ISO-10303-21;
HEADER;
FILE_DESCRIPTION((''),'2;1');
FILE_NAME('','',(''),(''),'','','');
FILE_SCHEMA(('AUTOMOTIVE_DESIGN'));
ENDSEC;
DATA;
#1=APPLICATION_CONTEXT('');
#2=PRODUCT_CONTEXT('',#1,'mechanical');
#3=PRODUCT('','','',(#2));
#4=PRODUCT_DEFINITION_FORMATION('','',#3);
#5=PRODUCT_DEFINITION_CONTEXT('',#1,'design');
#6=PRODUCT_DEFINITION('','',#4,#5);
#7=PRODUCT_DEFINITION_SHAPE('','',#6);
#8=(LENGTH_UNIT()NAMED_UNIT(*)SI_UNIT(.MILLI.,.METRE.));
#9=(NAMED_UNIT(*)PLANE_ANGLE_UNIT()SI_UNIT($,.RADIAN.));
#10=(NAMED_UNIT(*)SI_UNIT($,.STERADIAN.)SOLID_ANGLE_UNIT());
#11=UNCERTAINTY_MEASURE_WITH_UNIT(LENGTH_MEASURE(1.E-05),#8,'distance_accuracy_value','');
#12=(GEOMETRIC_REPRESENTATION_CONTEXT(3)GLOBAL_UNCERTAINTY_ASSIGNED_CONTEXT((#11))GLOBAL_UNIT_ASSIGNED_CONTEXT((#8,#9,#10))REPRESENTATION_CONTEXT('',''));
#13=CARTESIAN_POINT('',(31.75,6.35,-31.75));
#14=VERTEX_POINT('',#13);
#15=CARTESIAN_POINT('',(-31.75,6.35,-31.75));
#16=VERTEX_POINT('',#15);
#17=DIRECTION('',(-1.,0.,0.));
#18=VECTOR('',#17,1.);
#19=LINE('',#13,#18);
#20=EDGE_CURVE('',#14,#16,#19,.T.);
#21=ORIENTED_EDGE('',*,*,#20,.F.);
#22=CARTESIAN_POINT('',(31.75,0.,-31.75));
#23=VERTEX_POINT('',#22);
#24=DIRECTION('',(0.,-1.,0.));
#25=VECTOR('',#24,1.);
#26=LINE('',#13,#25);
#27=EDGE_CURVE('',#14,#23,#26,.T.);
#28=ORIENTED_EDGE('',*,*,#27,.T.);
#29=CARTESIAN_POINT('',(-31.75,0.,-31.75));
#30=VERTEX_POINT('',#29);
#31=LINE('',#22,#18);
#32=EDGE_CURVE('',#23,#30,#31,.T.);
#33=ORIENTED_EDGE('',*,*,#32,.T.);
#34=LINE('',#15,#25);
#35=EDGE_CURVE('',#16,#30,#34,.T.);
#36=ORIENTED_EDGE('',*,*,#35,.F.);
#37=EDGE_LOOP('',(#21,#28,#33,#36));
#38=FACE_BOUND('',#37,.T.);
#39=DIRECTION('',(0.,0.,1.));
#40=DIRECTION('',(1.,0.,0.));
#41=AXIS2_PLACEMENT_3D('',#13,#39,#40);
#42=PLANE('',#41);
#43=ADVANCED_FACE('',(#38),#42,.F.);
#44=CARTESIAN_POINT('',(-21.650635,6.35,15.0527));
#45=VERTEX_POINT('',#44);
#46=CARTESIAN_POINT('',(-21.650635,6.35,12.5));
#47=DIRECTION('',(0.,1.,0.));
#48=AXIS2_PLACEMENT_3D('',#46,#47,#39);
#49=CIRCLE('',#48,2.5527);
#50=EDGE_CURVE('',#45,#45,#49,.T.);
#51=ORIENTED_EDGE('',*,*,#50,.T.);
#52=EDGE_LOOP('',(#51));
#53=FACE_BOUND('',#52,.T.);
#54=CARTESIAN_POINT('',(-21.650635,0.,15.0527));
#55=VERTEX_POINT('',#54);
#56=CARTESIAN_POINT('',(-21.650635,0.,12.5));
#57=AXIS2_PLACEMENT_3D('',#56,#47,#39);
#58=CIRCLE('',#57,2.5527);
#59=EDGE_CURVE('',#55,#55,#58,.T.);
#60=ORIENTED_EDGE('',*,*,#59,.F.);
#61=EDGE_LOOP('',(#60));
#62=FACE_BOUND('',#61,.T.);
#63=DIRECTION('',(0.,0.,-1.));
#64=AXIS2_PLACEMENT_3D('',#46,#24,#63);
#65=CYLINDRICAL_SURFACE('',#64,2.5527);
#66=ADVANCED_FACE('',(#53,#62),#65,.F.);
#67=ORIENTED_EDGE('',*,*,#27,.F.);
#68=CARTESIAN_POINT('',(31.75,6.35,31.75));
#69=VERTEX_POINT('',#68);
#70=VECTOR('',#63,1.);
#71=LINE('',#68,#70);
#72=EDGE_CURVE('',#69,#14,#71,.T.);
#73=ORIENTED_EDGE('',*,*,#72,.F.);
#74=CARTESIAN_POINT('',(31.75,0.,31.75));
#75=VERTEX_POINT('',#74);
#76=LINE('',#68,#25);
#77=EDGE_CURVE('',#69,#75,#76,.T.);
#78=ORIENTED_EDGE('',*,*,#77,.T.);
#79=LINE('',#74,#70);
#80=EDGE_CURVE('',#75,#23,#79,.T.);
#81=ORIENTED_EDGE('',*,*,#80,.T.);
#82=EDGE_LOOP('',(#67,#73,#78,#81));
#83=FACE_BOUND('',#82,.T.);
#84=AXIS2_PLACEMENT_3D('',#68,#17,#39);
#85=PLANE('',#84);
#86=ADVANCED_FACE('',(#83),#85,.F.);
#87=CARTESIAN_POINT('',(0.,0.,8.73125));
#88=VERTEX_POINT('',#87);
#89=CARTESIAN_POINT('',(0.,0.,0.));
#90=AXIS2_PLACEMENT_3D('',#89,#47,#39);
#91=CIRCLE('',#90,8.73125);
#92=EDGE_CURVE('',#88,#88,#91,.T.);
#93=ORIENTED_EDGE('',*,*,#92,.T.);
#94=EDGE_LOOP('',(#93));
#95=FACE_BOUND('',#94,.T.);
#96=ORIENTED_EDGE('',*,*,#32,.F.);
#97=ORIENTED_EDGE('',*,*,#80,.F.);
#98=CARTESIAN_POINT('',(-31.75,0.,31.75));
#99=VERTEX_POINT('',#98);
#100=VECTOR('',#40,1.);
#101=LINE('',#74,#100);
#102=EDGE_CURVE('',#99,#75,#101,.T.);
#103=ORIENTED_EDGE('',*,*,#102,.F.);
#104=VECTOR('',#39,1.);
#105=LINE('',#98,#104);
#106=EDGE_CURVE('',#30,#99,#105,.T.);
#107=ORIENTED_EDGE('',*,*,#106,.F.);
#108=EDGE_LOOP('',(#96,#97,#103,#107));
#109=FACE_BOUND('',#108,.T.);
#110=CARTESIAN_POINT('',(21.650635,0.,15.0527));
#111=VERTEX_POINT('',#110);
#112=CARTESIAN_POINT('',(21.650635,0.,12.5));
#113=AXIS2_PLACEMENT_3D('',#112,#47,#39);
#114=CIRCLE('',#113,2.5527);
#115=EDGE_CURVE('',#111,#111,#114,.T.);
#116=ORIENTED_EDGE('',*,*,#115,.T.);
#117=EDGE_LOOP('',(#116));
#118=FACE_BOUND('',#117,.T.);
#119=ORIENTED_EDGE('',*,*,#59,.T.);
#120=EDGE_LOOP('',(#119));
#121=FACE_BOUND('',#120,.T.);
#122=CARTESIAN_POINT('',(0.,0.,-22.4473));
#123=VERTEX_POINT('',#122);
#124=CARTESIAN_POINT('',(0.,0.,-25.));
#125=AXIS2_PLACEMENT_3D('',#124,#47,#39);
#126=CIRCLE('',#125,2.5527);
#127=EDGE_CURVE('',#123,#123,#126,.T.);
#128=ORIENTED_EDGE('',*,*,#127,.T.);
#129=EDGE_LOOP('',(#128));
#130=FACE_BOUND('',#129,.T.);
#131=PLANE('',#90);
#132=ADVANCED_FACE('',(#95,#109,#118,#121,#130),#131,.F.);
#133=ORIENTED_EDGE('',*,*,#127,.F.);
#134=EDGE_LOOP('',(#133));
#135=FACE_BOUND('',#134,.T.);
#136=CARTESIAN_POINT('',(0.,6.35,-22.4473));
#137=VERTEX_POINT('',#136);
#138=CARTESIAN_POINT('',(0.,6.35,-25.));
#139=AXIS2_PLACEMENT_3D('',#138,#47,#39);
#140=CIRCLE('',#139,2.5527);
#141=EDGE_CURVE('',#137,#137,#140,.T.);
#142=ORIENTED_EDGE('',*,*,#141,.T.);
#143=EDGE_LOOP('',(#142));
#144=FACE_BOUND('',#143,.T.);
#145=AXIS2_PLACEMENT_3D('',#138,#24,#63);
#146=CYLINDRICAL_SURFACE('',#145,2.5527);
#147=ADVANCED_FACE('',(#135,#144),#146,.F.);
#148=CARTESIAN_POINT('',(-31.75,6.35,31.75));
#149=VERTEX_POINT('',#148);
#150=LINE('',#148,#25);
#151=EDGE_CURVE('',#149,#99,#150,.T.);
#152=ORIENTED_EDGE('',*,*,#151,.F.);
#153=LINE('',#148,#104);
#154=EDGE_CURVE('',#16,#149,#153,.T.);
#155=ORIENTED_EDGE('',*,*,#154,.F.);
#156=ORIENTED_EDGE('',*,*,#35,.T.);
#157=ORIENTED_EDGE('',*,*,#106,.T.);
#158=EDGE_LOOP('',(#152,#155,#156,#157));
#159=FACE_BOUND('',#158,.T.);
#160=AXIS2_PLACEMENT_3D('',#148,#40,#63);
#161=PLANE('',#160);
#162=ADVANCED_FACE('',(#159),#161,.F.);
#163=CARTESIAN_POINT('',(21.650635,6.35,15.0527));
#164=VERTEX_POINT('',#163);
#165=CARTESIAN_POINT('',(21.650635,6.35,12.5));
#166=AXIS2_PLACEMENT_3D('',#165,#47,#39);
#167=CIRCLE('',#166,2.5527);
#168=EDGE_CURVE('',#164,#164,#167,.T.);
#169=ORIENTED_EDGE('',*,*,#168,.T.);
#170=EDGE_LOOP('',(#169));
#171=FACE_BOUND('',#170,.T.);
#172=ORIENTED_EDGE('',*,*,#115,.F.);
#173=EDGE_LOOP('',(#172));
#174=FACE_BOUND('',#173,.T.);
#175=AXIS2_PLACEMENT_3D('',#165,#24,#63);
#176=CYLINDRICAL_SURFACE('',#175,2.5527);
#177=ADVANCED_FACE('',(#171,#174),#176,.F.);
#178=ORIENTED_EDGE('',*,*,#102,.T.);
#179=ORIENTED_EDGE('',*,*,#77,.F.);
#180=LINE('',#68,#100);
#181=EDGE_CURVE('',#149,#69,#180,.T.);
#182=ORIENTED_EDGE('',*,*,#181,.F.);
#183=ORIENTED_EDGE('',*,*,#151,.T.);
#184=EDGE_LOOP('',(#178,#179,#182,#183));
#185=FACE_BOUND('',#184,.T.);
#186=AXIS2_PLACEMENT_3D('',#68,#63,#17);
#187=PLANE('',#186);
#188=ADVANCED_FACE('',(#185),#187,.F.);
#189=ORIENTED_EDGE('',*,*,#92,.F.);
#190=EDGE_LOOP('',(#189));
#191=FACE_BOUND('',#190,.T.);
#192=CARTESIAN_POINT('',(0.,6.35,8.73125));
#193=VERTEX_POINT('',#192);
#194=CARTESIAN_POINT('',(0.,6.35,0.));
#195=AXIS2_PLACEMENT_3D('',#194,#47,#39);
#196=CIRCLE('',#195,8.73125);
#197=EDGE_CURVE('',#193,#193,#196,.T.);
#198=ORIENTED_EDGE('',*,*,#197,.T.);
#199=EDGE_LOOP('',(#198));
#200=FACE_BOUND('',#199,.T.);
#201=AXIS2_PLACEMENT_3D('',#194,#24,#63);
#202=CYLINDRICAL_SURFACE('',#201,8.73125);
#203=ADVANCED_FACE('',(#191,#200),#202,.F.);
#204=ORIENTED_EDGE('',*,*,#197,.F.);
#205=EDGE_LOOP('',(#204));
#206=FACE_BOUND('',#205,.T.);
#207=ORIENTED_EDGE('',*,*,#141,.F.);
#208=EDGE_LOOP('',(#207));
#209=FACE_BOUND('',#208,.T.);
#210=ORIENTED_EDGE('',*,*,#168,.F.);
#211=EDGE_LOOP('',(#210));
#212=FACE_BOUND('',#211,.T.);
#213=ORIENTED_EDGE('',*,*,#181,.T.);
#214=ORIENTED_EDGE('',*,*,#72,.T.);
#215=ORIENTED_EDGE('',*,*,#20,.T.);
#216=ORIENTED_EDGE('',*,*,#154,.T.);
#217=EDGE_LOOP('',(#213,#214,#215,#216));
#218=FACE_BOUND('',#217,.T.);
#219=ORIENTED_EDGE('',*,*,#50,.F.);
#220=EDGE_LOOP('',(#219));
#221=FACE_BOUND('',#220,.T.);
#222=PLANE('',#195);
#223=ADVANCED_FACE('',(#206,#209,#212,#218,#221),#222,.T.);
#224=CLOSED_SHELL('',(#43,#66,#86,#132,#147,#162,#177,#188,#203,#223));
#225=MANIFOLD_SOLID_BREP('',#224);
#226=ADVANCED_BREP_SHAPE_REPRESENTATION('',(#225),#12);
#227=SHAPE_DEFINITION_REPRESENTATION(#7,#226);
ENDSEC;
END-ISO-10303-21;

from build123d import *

# Parameters (mm, degrees)
SKETCH1_W           = 63.5
SKETCH1_H           = 63.5
SKETCH1_R           = 2.5527
SKETCH1_R_2         = 8.73125
BOSS_EXTRUDE1_DEPTH = 6.35


with BuildPart() as part:
    # Sketch1 → Boss-Extrude1 (new body)
    with BuildSketch(Plane(origin=(0, 0, 0), x_dir=(1, 0, 0), z_dir=(0, 1, 0))):
        Rectangle(SKETCH1_W, SKETCH1_H)
        with Locations((0, 25)):
            Circle(SKETCH1_R, mode=Mode.SUBTRACT)
        Circle(SKETCH1_R_2, mode=Mode.SUBTRACT)
        with Locations((21.650635095, -12.5)):
            Circle(SKETCH1_R, mode=Mode.SUBTRACT)
        with Locations((-21.650635095, -12.5)):
            Circle(SKETCH1_R, mode=Mode.SUBTRACT)
    extrude(amount=BOSS_EXTRUDE1_DEPTH)


solid = part.part
